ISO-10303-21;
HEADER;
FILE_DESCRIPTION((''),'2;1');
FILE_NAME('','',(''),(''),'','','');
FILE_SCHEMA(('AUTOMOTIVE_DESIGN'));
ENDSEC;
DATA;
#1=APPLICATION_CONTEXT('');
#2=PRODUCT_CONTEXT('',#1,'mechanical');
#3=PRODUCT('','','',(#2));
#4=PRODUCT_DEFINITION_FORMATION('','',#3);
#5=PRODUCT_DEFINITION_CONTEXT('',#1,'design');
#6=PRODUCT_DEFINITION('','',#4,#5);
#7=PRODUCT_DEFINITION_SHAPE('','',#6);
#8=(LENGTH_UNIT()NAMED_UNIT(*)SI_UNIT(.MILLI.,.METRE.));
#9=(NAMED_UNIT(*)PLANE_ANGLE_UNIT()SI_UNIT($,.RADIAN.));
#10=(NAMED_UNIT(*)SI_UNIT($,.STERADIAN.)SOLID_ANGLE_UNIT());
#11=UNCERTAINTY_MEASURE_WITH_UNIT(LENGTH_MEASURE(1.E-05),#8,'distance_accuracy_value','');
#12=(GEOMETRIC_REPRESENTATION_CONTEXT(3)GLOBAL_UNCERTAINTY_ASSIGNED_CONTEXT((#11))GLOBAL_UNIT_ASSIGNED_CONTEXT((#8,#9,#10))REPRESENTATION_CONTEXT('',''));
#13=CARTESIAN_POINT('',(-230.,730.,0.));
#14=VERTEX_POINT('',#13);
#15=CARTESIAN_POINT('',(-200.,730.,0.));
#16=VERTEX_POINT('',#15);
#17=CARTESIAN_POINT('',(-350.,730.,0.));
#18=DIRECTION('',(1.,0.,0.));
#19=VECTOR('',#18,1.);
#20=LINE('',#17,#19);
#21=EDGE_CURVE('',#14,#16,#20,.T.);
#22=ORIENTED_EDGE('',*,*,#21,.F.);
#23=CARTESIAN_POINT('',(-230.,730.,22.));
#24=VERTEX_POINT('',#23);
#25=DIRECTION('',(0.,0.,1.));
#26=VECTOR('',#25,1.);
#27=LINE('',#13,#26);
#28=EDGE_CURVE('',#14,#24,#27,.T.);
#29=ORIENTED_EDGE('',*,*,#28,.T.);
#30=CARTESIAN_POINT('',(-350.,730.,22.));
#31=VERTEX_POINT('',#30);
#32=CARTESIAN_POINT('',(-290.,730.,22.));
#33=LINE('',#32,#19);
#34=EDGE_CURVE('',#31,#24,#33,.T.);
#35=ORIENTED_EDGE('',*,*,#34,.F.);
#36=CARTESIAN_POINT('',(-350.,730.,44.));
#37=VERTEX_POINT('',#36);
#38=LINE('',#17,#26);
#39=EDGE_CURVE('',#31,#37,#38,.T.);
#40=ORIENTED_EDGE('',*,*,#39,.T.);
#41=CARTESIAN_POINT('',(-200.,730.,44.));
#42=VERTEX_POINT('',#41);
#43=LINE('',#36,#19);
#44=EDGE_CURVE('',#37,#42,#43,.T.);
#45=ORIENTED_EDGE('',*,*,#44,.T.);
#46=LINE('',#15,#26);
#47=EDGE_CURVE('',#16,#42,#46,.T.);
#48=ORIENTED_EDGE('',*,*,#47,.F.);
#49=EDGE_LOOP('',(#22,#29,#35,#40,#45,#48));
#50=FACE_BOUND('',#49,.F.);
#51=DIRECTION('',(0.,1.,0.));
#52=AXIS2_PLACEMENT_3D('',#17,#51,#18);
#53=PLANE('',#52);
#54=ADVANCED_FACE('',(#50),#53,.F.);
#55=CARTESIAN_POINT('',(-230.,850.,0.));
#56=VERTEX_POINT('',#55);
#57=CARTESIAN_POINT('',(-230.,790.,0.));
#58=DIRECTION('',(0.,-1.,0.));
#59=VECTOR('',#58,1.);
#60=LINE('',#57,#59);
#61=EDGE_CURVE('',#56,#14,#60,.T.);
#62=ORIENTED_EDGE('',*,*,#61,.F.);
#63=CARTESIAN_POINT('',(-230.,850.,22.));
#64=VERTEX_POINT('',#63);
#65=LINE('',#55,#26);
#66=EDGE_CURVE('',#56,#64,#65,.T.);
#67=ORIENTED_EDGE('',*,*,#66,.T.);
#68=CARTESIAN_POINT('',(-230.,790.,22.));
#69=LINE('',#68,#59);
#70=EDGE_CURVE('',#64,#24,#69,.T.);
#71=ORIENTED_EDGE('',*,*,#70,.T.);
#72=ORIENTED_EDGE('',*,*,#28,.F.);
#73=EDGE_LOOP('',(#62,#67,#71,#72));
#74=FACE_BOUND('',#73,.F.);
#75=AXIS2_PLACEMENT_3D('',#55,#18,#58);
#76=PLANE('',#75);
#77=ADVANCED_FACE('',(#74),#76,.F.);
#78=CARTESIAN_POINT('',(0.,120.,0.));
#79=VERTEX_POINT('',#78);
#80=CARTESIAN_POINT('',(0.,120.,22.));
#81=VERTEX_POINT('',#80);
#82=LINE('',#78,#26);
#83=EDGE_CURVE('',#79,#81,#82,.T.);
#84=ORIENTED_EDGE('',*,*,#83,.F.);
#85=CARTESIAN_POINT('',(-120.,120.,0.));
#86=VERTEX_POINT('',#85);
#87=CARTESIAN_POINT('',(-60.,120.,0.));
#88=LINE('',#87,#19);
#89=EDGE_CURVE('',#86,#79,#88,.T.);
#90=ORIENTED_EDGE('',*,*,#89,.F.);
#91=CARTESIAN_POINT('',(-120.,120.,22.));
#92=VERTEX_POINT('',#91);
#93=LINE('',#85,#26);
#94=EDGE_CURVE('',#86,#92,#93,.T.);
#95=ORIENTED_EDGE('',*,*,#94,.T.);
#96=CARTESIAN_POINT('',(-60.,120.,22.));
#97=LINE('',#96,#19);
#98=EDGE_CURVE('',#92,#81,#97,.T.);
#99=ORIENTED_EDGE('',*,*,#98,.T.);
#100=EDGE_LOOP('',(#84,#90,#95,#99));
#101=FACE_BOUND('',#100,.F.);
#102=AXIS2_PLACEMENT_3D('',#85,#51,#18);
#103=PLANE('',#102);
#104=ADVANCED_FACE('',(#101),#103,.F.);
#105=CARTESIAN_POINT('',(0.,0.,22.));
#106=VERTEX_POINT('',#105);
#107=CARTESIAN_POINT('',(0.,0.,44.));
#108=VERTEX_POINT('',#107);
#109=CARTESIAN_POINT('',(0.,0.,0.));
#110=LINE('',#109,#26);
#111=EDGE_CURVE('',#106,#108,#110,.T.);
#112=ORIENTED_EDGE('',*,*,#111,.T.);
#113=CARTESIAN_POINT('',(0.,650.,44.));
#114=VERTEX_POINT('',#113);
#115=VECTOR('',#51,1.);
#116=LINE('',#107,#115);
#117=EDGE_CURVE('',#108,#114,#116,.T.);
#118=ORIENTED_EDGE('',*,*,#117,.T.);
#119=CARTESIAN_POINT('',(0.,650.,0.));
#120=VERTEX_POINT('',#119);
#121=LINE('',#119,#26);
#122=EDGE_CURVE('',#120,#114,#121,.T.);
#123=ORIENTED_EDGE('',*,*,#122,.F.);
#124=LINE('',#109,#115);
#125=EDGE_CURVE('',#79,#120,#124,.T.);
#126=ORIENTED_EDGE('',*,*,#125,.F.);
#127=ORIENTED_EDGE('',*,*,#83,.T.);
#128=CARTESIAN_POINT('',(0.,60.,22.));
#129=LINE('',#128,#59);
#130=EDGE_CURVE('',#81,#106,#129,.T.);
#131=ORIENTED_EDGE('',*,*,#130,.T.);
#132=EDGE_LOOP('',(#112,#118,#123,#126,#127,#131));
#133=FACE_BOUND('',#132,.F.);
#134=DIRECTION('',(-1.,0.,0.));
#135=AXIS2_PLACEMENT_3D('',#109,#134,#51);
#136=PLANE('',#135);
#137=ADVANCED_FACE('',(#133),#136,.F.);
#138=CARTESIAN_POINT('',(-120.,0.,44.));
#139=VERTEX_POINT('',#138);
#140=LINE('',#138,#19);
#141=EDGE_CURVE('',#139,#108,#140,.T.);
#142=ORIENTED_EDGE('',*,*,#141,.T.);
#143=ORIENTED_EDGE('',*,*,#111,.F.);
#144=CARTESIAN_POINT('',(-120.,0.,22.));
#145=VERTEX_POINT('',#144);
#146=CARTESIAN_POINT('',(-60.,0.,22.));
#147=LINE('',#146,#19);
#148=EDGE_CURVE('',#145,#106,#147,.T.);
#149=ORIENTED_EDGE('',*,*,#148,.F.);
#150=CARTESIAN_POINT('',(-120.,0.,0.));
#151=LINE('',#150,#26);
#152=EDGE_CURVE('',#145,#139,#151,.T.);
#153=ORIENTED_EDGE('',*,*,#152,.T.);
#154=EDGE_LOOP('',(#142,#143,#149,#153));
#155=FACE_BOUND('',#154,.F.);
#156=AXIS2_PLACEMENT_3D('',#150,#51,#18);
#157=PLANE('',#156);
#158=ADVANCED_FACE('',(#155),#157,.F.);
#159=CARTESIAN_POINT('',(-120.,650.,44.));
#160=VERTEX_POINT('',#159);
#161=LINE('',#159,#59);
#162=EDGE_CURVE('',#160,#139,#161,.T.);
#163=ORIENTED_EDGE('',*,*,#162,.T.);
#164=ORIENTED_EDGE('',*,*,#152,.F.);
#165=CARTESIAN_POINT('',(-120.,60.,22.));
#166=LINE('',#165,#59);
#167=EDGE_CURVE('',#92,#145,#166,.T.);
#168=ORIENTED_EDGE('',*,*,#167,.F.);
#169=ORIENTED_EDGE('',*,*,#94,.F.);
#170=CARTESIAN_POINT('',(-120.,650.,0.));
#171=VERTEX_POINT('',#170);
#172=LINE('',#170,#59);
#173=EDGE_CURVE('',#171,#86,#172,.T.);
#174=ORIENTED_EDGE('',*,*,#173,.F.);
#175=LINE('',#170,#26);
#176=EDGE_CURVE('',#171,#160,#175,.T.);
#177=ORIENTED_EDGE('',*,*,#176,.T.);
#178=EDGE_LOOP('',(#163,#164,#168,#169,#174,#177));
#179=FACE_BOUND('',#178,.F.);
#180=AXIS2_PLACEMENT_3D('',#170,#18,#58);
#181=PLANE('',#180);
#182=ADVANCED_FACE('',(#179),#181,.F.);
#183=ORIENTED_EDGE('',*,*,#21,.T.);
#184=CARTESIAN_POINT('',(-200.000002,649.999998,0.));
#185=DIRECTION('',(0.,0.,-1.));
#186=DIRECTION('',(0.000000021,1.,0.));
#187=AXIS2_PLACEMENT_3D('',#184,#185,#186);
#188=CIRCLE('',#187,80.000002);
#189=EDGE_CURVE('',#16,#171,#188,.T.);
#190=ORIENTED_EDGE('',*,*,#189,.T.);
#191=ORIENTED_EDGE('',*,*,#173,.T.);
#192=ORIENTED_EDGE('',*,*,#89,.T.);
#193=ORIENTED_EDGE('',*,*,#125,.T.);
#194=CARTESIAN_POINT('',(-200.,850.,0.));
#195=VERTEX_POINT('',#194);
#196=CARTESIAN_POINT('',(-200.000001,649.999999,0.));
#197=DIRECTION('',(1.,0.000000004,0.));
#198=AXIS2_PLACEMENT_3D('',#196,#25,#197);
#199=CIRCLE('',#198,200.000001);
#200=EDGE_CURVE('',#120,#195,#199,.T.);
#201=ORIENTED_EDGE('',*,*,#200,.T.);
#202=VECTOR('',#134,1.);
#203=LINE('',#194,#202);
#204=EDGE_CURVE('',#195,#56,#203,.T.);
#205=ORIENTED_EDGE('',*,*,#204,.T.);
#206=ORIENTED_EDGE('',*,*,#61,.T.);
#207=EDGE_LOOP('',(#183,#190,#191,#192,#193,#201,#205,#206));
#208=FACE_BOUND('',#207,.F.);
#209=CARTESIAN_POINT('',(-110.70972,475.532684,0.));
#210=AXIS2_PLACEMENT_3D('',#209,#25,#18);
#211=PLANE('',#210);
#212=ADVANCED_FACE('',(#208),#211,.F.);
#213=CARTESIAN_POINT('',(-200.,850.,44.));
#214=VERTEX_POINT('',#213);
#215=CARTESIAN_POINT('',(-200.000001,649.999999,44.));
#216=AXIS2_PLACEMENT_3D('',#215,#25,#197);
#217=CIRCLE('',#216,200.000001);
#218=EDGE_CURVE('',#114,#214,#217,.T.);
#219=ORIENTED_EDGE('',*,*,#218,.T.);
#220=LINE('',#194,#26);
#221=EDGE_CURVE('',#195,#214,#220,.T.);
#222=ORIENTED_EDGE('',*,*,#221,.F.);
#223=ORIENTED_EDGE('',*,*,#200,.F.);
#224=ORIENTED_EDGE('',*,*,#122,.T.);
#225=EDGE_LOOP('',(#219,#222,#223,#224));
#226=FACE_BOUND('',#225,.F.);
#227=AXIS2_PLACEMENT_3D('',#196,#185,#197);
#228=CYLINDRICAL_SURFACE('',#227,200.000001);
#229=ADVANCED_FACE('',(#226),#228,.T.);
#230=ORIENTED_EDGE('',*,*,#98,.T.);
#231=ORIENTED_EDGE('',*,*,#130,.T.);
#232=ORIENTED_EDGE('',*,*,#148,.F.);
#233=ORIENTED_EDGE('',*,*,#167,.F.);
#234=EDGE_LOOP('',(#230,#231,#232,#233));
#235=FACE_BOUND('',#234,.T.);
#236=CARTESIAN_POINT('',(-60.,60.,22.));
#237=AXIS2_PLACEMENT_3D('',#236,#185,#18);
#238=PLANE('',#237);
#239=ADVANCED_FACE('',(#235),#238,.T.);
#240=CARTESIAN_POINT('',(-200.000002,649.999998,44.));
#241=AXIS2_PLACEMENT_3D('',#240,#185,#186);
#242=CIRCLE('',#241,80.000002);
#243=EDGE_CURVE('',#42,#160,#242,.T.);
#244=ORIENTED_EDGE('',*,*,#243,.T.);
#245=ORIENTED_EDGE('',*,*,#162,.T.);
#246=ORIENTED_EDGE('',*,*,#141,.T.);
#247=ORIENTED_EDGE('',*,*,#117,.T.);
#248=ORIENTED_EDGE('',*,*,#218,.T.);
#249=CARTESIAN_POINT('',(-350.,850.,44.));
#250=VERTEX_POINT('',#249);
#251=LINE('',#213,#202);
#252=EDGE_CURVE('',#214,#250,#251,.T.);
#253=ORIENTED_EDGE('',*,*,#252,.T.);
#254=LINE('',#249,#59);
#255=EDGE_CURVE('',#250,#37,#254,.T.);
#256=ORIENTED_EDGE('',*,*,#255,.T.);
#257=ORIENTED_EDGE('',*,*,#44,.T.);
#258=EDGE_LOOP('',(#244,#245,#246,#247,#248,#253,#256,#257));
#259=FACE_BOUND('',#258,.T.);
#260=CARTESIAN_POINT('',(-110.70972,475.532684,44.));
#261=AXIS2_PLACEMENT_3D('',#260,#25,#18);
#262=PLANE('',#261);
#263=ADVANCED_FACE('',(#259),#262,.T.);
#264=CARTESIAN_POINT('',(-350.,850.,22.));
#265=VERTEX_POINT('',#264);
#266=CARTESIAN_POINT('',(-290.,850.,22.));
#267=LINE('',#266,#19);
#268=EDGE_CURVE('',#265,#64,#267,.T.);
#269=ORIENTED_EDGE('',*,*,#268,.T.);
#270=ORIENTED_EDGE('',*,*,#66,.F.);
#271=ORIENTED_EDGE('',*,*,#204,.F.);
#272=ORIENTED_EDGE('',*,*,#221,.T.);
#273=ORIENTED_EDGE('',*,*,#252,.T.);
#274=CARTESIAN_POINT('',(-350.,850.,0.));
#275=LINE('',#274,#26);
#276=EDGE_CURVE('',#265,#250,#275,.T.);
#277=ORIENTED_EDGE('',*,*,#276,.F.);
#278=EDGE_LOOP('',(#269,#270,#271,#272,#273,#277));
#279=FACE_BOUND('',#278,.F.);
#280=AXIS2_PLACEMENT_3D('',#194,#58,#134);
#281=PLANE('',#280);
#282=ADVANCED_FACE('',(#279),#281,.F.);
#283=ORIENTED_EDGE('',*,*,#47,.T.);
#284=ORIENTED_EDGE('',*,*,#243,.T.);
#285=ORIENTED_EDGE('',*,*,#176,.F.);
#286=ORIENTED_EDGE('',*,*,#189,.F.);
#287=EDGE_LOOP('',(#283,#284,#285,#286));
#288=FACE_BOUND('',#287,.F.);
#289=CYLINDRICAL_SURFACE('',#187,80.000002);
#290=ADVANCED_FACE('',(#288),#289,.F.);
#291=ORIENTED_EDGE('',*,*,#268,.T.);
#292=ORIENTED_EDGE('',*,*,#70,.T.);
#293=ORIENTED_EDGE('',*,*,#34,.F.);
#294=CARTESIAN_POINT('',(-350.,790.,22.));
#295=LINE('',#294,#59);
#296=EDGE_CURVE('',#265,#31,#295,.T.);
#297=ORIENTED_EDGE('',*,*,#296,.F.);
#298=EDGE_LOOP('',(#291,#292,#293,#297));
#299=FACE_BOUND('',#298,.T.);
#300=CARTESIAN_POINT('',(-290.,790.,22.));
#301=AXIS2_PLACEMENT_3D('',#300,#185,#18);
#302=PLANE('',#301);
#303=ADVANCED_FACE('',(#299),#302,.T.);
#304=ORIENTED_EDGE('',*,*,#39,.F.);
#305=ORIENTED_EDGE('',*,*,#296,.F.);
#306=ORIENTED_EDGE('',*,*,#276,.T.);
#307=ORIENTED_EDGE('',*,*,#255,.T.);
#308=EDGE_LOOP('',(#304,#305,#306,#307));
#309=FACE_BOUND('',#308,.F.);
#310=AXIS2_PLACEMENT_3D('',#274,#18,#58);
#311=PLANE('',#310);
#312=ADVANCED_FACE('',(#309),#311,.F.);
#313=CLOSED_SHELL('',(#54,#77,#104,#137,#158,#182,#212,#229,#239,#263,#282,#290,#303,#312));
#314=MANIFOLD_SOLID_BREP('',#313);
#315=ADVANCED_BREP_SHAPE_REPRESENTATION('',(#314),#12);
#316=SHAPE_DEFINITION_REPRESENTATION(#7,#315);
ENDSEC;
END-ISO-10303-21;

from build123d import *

# Parameters (mm, degrees)
F1_DEPTH = 44
F2_W     = 120
F2_H     = 120
F3_DEPTH = 22
F4_W     = 120
F4_H     = 120
F5_DEPTH = 22


with BuildPart() as f1:
    # F0 (on Top) → F1 (new body)
    with BuildSketch(Plane.XY):
        with BuildLine():
            Line((-120, 0), (0, 0))
            Line((0, 0), (0, 650))
            ThreePointArc((0, 650), (-58.578644, 791.421356), (-200, 850))
            Line((-200, 850), (-350, 850))
            Line((-350, 850), (-350, 730))
            Line((-350, 730), (-200, 730))
            ThreePointArc((-200, 730), (-143.431458, 706.568542), (-120, 650))
            Line((-120, 650), (-120, 0))
        make_face()
    extrude(amount=F1_DEPTH)

    # F2 (on face) → F3 (cut)
    with BuildSketch(Plane(origin=(0, 0, 0), x_dir=(1, 0, 0), z_dir=(0, 0, -1))):
        with Locations((-60, -60)):
            Rectangle(F2_W, F2_H)
    extrude(amount=-F3_DEPTH, mode=Mode.SUBTRACT)

    # F4 (on face) → F5 (cut)
    with BuildSketch(Plane(origin=(0, 0, 0), x_dir=(1, 0, 0), z_dir=(0, 0, -1))):
        with Locations((-290, -790)):
            Rectangle(F4_W, F4_H)
    extrude(amount=-F5_DEPTH, mode=Mode.SUBTRACT)


solid = f1.part
